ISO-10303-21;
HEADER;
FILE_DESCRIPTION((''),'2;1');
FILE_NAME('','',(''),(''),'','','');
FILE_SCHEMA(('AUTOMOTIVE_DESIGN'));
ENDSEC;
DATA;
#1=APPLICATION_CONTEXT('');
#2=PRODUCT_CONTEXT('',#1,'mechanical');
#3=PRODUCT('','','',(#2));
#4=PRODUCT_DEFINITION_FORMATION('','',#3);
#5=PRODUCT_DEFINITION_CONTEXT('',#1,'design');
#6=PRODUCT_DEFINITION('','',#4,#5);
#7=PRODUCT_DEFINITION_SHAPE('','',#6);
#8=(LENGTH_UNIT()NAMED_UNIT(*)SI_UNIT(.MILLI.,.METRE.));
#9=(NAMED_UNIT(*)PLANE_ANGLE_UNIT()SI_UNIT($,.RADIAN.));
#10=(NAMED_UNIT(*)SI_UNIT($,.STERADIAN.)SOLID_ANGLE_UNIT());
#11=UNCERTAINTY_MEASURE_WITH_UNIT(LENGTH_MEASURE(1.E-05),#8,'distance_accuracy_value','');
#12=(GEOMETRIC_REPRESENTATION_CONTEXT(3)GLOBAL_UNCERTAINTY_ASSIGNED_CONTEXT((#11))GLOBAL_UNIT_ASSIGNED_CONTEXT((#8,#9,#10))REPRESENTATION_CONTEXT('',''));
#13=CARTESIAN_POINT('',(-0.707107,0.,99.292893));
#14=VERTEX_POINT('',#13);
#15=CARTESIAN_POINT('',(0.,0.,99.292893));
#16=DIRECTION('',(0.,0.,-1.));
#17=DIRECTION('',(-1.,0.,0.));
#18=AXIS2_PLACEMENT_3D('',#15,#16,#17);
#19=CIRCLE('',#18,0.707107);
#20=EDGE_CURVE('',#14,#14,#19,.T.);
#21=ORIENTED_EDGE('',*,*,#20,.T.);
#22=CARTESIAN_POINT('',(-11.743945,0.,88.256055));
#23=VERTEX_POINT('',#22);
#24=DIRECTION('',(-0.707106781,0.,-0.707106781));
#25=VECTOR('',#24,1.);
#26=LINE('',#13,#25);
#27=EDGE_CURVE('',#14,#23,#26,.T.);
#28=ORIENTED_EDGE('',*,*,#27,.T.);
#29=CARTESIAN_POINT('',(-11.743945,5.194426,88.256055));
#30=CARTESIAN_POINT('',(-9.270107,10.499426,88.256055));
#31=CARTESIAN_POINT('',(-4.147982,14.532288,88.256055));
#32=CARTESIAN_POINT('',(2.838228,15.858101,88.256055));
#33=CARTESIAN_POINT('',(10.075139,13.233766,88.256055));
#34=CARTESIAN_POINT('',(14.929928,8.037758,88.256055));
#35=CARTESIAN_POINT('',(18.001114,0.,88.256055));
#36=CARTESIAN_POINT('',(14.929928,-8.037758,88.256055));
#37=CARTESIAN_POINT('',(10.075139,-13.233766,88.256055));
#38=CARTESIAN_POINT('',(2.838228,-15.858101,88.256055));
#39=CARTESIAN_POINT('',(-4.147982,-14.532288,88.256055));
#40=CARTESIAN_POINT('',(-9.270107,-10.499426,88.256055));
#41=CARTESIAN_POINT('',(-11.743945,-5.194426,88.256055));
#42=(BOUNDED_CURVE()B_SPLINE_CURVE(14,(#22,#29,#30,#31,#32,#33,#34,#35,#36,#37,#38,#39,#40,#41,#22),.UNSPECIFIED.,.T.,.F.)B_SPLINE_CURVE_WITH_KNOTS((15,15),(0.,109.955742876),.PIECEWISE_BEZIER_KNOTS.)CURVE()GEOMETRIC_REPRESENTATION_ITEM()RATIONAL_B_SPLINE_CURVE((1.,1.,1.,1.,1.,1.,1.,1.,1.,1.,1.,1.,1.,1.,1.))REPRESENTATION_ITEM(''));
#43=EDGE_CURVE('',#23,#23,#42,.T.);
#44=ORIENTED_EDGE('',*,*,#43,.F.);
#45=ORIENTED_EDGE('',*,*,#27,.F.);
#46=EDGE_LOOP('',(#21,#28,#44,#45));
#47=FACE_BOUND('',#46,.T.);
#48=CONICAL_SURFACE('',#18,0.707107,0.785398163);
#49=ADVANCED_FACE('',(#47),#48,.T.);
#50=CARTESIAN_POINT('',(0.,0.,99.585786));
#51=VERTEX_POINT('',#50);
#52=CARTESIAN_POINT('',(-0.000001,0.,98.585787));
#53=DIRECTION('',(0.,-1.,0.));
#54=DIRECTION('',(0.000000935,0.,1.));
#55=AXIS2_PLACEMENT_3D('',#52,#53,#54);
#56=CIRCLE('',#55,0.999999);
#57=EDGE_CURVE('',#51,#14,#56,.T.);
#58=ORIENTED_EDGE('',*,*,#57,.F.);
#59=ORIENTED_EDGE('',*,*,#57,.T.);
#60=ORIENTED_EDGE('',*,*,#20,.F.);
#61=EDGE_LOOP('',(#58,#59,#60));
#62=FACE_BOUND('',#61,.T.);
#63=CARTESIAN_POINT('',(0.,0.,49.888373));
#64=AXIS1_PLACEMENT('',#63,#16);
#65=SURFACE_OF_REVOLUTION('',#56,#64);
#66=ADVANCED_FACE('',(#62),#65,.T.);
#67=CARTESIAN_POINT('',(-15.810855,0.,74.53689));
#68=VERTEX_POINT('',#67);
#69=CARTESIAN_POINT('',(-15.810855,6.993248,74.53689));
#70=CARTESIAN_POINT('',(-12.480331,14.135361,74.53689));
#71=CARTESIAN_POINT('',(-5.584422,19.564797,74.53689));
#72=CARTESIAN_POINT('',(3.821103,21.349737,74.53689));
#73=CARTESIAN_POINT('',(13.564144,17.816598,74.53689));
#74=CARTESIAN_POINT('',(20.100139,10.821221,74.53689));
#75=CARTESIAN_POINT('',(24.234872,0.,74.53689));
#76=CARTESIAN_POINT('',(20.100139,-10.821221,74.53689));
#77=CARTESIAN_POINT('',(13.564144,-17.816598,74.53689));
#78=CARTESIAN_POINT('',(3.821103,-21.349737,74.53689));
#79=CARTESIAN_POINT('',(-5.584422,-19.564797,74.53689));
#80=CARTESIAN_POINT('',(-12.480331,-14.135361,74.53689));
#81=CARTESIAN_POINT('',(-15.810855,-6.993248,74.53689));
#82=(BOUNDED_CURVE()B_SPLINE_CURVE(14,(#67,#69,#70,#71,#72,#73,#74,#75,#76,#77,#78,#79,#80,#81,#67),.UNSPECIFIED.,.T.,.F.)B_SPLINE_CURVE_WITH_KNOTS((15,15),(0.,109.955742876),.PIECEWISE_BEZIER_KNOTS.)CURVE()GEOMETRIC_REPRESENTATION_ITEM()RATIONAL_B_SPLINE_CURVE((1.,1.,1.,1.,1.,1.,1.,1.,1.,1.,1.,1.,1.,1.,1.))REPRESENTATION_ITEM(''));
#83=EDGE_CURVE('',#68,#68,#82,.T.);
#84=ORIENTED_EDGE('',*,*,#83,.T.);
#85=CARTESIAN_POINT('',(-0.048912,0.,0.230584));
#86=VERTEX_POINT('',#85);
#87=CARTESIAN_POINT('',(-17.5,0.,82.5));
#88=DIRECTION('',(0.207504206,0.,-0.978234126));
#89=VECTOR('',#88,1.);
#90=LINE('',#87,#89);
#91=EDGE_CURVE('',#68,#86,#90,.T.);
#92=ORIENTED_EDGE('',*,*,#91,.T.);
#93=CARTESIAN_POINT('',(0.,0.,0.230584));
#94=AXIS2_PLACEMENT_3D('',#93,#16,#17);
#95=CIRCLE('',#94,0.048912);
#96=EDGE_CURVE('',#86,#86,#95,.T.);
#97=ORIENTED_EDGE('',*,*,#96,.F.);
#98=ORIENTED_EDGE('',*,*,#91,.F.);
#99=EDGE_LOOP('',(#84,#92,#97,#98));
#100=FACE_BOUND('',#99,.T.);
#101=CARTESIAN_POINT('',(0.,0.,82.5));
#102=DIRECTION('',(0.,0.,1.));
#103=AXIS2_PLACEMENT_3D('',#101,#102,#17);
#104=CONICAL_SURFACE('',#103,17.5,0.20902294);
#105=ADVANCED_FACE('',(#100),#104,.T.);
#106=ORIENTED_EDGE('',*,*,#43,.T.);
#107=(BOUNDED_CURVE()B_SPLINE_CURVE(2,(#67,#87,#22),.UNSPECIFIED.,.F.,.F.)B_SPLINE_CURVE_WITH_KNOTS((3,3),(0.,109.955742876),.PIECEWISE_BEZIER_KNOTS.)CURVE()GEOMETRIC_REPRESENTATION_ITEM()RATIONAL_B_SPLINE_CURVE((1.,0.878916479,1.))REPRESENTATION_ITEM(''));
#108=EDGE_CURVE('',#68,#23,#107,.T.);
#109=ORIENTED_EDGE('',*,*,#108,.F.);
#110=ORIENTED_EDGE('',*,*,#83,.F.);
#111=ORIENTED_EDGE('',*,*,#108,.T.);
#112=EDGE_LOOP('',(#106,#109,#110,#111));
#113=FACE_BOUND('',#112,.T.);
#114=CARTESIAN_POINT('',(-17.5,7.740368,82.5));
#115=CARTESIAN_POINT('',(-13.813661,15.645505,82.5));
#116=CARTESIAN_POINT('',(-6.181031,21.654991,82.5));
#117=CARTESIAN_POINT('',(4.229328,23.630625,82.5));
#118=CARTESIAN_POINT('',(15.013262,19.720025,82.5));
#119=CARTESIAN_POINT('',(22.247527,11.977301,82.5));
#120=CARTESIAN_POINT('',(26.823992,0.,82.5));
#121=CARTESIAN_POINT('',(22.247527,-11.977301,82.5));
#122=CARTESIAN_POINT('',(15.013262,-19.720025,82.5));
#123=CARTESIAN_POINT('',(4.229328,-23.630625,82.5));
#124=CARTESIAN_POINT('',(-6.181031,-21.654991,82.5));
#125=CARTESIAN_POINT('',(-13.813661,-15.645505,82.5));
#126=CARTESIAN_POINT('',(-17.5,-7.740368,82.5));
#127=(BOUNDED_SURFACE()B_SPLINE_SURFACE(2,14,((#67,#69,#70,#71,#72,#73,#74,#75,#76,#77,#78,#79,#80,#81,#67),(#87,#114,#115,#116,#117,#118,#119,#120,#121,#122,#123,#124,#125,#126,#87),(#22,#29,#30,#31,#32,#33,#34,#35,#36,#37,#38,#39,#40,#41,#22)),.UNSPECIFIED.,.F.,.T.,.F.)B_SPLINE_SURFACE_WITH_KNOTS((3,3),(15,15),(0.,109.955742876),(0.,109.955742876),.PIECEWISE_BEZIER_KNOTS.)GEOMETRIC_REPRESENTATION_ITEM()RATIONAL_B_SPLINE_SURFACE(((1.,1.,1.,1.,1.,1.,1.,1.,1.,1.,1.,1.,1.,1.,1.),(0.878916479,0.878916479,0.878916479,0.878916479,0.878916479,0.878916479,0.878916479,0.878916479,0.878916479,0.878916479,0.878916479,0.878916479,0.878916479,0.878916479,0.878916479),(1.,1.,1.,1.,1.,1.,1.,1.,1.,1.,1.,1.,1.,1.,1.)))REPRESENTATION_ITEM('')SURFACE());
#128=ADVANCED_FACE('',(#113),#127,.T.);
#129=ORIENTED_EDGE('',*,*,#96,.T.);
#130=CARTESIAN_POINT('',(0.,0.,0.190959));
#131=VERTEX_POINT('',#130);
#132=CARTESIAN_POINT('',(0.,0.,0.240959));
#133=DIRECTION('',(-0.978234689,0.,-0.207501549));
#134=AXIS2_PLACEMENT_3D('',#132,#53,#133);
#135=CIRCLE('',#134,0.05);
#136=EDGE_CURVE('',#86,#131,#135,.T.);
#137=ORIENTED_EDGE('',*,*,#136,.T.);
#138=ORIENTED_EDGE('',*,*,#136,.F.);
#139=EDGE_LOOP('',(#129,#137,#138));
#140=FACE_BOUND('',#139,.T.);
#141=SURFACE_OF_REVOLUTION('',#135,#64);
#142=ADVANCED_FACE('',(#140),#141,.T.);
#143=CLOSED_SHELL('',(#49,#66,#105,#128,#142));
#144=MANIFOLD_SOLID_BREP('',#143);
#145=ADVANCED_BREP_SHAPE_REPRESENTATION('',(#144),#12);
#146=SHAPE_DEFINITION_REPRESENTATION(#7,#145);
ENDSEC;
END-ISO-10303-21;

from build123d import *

# Parameters (mm, degrees)
F2_R = 15


with BuildPart() as f1:
    # F0 (on Front) → F1 (revolve)
    with BuildSketch(Plane.XZ):
        with BuildLine():
            Line((-17.5, 82.5), (-0.048912, 0.230584))
            ThreePointArc((-0.048912, 0.230584), (-0.031474, 0.202108), (0, 0.190959))
            Line((0, 0.190959), (0, 99.585786))
            ThreePointArc((0, 99.585786), (-0.382683, 99.509666), (-0.707107, 99.292893))
            Line((-0.707107, 99.292893), (-17.5, 82.5))
        make_face()
    revolve(axis=Axis((0, 0, 49.888373), (0, 0, -1)))

    # F2
    f2_edges = [f1.edges().sort_by_distance(p)[0] for p in [
        (17.5, 0, 82.5),
    ]]
    fillet(f2_edges, radius=F2_R)


solid = f1.part
